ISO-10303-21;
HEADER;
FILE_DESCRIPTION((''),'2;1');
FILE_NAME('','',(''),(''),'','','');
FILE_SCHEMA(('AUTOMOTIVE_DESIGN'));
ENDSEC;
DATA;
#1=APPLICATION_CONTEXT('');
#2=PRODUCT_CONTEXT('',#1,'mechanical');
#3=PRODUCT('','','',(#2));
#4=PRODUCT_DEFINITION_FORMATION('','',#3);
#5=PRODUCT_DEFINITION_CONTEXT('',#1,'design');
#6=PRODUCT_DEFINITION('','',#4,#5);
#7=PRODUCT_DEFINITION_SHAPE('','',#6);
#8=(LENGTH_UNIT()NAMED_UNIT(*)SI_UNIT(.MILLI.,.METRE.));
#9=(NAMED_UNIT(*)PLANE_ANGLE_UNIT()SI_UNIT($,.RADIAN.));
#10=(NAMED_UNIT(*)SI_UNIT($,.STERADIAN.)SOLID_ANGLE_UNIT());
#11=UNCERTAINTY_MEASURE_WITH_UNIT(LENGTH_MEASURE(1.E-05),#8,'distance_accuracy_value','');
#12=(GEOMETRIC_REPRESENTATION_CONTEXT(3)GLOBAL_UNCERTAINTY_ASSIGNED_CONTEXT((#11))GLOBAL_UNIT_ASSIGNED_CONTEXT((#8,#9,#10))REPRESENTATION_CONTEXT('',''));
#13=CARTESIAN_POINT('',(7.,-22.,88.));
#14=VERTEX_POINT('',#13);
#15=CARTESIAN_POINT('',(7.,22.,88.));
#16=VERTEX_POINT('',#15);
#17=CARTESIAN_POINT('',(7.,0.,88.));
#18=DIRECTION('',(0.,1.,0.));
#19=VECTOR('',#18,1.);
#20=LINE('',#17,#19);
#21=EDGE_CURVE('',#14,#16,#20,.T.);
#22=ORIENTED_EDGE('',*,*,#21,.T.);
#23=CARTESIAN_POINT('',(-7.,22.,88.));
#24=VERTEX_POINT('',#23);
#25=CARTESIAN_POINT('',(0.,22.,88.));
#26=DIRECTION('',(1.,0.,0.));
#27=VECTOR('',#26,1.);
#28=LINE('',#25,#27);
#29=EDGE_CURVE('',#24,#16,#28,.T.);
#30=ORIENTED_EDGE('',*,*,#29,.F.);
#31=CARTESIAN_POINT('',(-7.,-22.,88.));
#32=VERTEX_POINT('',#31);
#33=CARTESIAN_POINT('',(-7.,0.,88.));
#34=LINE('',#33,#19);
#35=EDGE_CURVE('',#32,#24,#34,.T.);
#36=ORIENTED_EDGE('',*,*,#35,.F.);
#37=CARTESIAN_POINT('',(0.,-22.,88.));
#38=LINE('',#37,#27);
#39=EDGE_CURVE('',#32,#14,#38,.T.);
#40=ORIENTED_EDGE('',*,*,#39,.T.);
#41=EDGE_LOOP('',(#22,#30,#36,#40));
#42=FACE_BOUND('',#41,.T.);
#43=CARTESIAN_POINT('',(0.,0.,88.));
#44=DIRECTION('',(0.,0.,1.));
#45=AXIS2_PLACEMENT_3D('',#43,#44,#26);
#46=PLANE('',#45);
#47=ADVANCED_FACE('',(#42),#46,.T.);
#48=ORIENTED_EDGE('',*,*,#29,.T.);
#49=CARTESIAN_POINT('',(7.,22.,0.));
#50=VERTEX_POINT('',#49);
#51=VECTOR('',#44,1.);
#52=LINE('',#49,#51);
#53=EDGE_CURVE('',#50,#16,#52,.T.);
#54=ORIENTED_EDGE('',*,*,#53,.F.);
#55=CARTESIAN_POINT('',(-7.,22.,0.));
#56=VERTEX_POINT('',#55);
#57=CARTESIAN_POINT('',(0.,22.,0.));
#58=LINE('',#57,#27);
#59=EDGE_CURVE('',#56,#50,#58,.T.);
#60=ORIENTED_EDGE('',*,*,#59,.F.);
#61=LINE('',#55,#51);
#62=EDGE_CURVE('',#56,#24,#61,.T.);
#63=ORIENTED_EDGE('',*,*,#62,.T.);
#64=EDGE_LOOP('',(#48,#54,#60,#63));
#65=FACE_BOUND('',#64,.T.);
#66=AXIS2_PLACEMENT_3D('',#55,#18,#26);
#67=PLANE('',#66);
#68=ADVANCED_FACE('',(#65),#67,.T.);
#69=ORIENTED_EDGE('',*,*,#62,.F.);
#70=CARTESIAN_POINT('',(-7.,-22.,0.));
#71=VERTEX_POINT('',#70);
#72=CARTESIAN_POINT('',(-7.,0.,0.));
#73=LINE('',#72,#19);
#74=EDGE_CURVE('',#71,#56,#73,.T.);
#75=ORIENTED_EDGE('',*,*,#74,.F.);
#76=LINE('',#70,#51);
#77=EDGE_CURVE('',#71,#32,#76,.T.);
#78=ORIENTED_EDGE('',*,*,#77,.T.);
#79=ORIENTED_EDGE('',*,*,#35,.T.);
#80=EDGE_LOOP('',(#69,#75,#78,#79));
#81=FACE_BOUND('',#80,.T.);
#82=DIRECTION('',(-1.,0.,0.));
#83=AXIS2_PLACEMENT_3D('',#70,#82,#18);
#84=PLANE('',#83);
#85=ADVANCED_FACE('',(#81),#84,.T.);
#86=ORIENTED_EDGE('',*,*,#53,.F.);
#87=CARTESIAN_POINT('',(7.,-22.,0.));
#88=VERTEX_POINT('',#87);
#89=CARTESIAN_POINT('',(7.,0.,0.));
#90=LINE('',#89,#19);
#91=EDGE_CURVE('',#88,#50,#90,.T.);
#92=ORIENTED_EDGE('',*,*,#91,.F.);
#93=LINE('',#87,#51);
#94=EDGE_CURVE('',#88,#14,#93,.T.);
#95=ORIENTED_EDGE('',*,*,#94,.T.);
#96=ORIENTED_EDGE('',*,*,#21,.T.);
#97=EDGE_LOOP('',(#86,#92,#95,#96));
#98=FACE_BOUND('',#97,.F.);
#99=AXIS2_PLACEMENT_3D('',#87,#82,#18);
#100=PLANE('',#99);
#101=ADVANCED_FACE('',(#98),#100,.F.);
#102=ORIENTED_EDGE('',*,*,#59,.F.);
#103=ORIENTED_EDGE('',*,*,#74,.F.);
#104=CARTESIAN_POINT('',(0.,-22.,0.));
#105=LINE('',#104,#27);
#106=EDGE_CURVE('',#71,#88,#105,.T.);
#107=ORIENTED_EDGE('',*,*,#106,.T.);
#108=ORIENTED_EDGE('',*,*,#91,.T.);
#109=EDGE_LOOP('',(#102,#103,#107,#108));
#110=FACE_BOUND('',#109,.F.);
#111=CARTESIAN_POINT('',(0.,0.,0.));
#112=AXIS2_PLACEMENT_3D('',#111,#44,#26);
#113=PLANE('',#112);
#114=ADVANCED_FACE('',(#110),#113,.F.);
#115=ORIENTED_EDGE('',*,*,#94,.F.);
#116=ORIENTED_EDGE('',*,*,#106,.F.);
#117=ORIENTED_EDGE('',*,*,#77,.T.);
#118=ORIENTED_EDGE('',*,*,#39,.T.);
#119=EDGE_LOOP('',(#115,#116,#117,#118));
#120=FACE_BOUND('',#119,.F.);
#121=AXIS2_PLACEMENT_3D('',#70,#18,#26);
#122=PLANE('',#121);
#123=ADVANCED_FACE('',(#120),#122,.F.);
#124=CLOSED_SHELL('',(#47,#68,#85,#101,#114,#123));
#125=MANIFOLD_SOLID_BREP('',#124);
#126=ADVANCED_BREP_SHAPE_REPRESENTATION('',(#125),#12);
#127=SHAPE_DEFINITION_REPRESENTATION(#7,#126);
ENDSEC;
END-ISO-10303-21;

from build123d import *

# Parameters (mm, degrees)
SKETCH_W  = 14
SKETCH_H  = 44
PAD_DEPTH = 88


with BuildPart() as part:
    # Sketch → Pad (new body)
    with BuildSketch(Plane.XY):
        Rectangle(SKETCH_W, SKETCH_H)
    extrude(amount=PAD_DEPTH)


solid = part.part
